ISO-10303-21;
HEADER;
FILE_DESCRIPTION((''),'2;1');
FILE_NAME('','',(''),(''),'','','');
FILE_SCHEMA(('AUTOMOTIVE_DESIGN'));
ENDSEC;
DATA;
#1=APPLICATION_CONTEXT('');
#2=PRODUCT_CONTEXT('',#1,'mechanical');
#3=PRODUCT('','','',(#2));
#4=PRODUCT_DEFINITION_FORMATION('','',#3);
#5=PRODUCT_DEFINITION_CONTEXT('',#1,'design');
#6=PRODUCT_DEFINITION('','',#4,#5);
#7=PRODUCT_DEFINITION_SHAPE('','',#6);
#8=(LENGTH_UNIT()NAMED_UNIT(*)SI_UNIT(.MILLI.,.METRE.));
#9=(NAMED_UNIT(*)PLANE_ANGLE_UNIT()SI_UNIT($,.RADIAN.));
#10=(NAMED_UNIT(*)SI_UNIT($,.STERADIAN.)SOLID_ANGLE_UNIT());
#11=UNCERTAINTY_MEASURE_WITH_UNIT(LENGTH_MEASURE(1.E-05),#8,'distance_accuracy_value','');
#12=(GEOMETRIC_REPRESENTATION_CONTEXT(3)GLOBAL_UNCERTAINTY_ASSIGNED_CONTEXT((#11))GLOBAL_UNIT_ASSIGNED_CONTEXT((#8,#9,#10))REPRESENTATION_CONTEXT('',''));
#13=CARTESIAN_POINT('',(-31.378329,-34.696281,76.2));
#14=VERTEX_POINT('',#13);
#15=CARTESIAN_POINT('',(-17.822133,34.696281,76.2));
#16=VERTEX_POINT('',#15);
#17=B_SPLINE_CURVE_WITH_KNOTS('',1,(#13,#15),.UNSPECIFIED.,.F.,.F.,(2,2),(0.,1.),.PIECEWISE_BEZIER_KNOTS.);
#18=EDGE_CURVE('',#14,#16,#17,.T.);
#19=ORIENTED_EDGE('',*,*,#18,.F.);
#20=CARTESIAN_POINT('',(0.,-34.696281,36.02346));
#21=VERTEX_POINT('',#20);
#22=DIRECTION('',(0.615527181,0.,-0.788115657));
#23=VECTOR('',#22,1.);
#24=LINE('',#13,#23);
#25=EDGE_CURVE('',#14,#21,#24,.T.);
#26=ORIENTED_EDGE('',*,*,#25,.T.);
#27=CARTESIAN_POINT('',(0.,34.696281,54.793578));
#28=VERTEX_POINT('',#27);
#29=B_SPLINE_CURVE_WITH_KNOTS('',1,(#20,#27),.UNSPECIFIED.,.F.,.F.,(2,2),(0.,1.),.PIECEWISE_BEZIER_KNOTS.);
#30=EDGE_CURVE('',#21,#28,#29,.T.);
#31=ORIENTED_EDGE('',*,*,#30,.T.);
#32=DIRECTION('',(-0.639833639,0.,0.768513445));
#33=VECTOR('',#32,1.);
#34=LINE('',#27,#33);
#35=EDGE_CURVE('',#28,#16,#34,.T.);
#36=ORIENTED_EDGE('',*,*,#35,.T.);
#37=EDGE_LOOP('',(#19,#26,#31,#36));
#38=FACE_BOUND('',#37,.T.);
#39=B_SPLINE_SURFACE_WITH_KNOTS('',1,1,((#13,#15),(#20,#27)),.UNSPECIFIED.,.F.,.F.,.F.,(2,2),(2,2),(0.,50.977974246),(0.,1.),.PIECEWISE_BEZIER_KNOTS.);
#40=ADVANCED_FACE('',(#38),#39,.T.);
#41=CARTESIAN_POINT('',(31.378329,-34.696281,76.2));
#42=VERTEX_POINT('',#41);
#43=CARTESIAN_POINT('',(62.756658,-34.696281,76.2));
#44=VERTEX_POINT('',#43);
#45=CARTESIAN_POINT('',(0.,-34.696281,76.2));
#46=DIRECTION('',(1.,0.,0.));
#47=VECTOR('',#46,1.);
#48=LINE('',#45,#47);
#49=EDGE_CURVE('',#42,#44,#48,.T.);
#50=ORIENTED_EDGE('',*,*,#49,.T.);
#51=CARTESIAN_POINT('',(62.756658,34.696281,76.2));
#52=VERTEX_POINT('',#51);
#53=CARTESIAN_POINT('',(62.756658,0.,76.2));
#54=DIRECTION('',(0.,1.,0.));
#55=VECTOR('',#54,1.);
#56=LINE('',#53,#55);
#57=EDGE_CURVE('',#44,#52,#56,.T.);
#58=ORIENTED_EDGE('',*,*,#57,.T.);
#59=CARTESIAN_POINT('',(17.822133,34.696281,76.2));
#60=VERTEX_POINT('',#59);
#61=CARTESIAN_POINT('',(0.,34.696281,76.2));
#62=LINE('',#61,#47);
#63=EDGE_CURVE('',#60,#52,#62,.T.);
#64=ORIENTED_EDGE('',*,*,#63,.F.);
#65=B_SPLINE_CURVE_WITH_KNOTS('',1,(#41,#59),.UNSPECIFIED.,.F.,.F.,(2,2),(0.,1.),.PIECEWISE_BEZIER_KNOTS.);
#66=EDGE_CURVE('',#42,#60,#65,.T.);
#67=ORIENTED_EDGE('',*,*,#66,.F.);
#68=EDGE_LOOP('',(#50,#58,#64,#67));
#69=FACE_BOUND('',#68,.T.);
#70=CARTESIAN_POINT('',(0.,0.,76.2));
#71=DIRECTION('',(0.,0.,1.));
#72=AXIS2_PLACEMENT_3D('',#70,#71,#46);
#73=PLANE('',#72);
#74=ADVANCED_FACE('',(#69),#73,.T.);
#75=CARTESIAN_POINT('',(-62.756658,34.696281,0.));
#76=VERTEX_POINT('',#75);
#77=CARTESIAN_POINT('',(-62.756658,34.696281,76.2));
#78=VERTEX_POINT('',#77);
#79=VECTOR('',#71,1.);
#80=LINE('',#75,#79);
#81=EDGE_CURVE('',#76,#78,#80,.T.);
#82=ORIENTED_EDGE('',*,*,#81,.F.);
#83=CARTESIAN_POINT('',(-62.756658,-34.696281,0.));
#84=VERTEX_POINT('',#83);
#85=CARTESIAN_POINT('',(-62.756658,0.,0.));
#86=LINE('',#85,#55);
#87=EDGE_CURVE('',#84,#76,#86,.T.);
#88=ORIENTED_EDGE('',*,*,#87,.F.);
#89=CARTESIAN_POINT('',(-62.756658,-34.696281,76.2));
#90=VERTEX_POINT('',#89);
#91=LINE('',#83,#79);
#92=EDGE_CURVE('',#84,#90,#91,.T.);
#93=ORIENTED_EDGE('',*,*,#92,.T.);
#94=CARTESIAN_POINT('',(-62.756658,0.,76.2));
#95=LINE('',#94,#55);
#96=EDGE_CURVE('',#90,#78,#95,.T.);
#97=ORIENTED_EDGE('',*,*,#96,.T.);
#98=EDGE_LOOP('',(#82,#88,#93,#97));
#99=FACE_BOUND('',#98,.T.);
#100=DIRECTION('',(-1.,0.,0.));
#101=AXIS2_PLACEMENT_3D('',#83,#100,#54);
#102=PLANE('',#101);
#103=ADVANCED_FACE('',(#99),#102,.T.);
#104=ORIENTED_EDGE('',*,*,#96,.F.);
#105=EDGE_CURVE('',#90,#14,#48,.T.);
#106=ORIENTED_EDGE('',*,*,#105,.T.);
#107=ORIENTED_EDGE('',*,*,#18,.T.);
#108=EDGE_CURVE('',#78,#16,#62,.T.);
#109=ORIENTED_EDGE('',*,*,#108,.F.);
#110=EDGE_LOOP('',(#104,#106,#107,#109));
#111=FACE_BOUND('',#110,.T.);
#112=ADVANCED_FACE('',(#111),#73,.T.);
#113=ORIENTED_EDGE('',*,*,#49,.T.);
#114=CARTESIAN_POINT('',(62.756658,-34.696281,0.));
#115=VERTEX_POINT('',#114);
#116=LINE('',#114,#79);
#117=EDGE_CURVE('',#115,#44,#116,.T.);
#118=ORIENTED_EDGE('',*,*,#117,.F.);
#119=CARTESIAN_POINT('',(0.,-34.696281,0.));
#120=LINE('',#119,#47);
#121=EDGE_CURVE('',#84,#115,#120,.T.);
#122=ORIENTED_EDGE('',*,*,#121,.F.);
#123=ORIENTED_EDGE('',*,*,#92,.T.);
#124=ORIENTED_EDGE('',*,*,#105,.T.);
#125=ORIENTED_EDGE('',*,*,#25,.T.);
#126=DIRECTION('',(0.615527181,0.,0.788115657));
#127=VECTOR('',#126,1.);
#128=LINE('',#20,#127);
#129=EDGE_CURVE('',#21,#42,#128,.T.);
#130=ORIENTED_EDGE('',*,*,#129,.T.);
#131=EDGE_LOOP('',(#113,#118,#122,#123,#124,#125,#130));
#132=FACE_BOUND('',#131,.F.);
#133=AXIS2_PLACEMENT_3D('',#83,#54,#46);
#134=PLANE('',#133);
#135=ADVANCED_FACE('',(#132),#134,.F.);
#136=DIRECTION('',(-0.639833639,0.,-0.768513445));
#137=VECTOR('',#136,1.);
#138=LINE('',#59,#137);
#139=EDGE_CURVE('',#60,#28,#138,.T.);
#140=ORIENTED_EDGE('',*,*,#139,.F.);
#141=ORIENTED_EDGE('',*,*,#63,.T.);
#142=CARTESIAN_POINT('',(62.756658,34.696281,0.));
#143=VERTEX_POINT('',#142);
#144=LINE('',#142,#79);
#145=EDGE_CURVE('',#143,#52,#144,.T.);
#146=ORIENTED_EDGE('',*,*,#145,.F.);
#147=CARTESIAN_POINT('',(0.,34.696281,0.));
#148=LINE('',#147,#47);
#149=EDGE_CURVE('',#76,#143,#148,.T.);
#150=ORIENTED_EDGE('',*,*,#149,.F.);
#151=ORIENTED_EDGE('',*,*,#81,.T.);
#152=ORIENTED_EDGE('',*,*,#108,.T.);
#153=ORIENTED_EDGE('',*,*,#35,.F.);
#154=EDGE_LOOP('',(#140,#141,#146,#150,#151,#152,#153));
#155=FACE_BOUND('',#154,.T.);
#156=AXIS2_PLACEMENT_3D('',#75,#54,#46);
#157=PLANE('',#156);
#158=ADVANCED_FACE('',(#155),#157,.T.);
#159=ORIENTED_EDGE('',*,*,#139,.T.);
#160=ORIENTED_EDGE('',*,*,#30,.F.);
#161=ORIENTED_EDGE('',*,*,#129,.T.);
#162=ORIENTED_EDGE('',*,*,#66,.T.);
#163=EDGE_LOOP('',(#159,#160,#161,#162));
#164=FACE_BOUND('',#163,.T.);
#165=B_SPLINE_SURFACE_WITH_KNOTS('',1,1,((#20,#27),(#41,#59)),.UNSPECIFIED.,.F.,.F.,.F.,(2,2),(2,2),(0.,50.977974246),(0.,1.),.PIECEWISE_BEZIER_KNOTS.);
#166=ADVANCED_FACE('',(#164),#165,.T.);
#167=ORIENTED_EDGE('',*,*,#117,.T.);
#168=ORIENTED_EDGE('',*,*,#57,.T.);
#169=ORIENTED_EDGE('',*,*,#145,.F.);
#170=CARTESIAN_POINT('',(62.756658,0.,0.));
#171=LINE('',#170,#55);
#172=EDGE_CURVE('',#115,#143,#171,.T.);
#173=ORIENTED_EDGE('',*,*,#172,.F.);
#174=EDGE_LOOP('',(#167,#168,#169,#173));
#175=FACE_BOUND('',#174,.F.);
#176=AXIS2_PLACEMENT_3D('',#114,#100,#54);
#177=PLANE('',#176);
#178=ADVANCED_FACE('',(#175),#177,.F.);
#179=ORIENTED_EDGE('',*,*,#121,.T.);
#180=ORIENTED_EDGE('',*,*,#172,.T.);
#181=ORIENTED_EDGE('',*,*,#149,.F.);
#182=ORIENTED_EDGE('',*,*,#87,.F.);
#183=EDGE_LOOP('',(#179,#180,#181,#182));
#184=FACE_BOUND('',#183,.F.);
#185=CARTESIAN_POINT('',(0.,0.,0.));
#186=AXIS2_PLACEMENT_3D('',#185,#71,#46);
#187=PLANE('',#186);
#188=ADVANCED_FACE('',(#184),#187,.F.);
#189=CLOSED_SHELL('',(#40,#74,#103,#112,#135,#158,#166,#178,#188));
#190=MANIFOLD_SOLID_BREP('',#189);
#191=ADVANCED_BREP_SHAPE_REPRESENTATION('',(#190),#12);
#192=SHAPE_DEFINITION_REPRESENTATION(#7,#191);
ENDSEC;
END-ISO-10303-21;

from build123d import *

# Parameters (mm, degrees)
F0_W     = 125.5133152008
F0_H     = 69.3925619125
F1_DEPTH = 76.2


with BuildPart() as f1:
    # F0 (on Top) → F1 (new body)
    with BuildSketch(Plane.XY):
        Rectangle(F0_W, F0_H)
    extrude(amount=F1_DEPTH)

    # F2 (on face) → F4 section 0
    with BuildSketch(Plane.XZ.offset(34.6962809563)):
        Polygon((31.3783288002, 76.2), (0, 76.2), (-31.3783288002, 76.2), (0, 36.0234603286), align=None)
    # F3 (on face) → F4 section 1
    with BuildSketch(Plane(origin=(0, 34.6962809563, 0), x_dir=(-1, 0, 0), z_dir=(0, 1, 0))):
        Polygon((0, 76.2), (-17.8221333772, 76.2), (0, 54.7935776412), (17.8221333772, 76.2), align=None)
    loft(mode=Mode.SUBTRACT)


solid = f1.part
